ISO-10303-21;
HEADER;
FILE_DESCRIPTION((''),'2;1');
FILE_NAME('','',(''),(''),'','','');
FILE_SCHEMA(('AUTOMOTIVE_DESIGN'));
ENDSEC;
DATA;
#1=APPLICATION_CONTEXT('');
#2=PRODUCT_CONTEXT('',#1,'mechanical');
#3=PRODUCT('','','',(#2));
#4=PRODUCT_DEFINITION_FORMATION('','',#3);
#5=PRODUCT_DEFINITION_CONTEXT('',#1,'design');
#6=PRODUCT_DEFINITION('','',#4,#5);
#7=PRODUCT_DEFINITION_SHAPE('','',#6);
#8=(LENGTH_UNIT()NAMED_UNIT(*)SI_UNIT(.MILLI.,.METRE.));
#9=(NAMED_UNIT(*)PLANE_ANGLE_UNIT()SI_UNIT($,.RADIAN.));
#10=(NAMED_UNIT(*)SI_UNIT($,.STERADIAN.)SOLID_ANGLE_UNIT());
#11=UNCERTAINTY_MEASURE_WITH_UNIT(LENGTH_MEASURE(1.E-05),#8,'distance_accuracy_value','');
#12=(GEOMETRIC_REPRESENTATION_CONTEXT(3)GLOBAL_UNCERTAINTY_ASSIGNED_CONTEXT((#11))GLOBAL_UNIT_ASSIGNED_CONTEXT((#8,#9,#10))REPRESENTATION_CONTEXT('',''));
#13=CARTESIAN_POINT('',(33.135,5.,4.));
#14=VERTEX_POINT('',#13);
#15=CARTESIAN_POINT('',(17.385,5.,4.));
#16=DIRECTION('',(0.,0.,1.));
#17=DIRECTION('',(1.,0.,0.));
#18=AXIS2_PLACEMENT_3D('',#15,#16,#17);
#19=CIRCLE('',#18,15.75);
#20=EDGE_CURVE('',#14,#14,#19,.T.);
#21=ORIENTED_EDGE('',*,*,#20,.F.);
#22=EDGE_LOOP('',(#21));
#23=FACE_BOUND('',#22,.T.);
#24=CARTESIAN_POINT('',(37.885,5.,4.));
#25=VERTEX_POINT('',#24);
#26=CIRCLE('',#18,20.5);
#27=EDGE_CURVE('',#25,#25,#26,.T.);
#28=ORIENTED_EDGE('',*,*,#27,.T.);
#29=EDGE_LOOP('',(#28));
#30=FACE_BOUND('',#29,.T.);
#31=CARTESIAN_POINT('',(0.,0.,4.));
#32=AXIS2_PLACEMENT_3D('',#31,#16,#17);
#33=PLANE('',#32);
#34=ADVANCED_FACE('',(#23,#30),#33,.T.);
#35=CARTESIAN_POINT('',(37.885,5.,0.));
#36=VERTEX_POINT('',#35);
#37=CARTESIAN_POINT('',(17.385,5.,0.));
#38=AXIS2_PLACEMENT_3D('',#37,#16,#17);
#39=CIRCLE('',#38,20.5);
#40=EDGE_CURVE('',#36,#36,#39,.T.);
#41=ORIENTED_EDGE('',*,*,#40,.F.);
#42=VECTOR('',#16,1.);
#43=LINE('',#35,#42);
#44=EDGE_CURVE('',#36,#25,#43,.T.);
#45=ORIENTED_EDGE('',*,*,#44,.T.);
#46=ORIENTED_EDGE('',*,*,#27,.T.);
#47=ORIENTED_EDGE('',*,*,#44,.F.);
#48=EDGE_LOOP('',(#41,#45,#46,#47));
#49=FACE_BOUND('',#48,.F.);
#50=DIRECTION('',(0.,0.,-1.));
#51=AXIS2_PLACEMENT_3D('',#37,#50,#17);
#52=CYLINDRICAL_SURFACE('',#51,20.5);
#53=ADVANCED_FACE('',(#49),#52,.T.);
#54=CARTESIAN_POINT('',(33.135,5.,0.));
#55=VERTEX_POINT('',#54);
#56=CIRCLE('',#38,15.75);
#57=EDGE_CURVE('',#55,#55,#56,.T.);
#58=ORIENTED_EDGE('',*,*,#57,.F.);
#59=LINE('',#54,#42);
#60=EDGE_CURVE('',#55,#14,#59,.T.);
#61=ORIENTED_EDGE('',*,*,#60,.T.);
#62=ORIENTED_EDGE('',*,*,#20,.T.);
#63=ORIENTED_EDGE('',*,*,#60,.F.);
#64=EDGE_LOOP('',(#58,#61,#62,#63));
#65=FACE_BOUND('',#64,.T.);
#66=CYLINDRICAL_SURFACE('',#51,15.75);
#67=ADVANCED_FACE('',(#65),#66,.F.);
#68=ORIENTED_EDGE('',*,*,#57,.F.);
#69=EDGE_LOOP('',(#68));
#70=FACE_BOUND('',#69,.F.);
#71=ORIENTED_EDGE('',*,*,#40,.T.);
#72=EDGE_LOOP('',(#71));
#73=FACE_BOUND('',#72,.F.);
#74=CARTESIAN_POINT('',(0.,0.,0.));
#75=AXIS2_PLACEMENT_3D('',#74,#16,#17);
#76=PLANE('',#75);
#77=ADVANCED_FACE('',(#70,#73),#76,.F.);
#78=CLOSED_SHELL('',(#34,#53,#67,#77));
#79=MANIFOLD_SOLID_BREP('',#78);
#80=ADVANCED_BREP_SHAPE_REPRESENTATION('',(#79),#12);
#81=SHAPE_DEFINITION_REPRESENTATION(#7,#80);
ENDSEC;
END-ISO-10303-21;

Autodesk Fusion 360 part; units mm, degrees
sketch "Sketch1" plane through (0, 0, 0) normal (0, 0, 1) x (1, 0, 0)
  circle A0 centre (17.385, 5) radius 15.75
  circle A1 centre (17.385, 5) radius 20.5
  dimension "d3" = 31.5
  dimension "d4" = 41
extrude "Extrude1" add sketch "Sketch1" along normal blind 4
